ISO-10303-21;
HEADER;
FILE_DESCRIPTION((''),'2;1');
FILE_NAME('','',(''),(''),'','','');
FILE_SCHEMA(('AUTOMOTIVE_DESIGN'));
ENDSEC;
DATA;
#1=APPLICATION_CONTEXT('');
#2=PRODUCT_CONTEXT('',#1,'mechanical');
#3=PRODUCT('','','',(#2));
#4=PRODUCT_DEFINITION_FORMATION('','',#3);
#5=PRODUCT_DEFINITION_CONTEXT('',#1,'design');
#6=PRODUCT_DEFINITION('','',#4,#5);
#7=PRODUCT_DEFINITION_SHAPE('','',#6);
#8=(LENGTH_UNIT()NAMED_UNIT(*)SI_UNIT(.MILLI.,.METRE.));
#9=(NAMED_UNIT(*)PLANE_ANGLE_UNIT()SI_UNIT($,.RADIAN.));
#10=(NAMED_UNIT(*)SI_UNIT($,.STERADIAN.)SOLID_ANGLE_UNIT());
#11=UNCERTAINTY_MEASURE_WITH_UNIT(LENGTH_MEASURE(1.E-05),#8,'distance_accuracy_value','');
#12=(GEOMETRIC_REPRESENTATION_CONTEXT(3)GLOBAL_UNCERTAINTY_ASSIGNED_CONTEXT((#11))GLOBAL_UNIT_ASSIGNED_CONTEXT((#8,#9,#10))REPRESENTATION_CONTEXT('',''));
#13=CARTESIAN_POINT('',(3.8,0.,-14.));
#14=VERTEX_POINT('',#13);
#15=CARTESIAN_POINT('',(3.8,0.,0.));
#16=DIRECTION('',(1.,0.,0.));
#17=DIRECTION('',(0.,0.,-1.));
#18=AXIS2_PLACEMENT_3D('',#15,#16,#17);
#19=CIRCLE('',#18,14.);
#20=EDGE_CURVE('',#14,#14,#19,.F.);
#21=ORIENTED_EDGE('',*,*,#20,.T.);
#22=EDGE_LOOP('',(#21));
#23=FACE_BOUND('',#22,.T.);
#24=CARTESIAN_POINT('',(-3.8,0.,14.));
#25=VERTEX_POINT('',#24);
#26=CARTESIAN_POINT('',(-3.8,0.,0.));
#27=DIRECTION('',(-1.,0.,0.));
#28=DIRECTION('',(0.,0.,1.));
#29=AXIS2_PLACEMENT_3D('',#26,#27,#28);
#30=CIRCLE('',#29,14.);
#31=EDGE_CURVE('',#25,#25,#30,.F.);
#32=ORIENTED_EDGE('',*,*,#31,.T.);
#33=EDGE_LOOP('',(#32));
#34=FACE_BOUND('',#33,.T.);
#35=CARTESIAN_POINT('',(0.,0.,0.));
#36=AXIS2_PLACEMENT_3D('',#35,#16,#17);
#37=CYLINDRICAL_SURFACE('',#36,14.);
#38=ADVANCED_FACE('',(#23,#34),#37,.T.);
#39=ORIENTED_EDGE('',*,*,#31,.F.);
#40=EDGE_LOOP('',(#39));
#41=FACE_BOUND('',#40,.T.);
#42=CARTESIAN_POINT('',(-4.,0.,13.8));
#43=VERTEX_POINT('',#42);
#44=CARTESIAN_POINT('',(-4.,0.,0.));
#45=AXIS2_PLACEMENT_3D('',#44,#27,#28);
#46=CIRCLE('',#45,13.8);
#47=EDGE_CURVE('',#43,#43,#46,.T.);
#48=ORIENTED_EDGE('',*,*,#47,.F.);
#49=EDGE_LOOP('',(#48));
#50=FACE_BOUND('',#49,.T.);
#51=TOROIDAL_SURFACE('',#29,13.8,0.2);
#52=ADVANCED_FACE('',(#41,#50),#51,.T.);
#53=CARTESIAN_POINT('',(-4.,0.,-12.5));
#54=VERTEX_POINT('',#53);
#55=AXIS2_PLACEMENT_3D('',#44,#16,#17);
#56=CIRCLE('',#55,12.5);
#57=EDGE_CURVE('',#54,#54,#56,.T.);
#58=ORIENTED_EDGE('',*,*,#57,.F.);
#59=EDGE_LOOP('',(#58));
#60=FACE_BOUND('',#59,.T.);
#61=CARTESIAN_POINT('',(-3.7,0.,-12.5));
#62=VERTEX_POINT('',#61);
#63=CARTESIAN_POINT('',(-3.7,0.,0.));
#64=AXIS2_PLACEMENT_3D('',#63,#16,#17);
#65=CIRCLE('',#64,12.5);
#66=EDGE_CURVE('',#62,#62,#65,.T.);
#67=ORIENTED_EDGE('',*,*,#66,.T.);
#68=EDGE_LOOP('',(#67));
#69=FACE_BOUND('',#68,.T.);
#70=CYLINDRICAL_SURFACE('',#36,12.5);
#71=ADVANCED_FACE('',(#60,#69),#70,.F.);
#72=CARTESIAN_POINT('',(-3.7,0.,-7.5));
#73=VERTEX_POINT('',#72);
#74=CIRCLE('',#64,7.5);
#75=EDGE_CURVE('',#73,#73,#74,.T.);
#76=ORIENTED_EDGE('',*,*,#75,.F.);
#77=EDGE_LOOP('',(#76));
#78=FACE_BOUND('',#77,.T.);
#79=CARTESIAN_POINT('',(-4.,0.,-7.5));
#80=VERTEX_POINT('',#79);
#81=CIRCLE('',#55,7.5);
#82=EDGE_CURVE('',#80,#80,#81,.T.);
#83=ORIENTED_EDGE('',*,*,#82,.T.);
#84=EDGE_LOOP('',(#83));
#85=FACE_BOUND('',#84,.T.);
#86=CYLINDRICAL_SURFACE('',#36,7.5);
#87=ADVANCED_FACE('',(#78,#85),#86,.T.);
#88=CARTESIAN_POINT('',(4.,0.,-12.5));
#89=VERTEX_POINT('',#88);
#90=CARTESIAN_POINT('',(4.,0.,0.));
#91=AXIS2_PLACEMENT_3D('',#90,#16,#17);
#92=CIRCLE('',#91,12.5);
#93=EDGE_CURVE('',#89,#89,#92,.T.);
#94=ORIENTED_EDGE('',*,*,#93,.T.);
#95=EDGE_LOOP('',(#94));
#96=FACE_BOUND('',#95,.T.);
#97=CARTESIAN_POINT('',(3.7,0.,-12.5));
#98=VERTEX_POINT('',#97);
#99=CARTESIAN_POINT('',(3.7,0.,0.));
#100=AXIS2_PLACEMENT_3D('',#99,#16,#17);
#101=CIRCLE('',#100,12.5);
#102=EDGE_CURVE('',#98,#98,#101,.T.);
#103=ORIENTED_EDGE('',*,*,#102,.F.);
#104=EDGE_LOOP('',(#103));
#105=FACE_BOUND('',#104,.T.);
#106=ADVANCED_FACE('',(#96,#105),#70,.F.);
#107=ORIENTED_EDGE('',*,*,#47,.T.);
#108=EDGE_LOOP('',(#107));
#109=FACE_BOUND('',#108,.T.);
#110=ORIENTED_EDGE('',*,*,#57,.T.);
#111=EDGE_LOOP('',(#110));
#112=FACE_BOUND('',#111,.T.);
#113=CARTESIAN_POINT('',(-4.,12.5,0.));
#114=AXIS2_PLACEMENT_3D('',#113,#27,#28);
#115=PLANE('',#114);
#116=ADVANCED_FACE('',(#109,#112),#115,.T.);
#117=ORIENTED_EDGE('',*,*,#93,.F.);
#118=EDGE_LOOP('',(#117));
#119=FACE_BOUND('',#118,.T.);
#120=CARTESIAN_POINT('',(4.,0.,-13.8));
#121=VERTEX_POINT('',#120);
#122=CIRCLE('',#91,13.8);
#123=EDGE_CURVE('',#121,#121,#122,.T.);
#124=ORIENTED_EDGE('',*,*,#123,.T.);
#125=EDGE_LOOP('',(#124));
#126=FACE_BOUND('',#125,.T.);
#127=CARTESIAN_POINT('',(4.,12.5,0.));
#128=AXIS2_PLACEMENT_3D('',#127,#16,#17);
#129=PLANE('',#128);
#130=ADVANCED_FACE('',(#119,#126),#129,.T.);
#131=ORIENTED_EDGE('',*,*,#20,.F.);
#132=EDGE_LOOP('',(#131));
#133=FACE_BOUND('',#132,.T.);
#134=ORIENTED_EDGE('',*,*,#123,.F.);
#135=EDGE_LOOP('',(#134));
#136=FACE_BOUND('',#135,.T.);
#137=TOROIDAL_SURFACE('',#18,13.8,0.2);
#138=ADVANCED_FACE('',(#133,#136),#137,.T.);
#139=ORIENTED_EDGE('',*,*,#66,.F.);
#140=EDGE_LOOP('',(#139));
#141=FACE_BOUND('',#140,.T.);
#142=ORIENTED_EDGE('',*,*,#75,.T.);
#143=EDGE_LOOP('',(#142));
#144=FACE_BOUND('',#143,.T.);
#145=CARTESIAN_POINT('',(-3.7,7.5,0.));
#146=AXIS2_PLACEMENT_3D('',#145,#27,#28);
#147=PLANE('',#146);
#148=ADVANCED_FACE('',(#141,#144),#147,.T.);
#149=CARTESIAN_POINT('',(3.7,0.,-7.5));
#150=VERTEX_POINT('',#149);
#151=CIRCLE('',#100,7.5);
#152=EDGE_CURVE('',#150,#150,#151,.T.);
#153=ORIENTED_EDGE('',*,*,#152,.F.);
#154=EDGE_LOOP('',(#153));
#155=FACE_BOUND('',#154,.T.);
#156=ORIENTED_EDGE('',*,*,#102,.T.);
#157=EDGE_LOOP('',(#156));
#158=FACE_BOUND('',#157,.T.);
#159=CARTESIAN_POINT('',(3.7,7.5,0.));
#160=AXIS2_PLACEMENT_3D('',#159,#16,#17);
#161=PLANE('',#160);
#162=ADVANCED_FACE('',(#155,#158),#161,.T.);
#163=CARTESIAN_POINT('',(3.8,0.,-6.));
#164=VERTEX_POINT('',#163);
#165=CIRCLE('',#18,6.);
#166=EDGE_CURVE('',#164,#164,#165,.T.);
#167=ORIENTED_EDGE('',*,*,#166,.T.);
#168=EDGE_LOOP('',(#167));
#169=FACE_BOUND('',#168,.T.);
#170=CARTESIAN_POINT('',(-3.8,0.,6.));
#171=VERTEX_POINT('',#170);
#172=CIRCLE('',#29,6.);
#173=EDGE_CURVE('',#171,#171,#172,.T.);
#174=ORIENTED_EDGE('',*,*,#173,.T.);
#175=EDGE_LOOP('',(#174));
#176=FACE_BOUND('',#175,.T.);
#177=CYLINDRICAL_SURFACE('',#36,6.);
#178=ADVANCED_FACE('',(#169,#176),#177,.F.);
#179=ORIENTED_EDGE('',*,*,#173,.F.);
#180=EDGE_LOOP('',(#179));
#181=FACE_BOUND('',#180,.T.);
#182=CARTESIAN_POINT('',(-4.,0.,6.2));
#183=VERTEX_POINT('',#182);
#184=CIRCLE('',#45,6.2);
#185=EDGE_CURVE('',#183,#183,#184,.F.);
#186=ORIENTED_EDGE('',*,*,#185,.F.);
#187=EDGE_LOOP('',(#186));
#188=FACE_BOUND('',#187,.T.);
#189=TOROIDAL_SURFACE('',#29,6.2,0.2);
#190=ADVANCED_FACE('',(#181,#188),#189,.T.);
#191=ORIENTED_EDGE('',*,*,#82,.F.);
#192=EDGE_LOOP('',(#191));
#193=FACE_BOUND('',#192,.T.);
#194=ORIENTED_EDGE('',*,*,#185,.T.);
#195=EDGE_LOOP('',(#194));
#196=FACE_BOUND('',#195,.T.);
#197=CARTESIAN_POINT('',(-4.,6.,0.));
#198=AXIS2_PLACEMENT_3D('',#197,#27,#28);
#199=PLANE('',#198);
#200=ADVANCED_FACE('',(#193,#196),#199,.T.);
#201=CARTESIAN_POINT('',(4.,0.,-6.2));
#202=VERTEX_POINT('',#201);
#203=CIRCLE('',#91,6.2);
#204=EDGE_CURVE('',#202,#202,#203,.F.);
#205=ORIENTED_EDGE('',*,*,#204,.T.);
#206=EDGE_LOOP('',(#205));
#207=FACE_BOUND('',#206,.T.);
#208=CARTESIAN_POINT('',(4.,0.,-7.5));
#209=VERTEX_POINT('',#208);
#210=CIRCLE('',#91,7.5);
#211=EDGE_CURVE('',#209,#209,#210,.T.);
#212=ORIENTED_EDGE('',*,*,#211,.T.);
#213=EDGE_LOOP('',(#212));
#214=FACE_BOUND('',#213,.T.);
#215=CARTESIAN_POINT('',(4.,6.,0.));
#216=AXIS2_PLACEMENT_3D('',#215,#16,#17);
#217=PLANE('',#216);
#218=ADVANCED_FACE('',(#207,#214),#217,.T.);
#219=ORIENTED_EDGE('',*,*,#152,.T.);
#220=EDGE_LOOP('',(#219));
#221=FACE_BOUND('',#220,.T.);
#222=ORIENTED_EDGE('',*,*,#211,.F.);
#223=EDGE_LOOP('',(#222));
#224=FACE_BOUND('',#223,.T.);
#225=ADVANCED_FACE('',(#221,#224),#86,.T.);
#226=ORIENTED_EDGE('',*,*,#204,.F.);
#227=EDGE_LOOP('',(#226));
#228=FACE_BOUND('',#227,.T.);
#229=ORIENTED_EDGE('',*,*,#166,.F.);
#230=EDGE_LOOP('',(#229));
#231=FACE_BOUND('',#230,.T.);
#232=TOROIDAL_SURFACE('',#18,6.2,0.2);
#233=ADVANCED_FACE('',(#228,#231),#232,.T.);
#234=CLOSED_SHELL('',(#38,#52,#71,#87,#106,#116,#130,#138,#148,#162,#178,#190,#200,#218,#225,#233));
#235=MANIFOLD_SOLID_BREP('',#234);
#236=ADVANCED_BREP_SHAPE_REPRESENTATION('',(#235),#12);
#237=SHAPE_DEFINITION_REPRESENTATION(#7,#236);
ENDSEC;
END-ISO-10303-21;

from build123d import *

# Parameters (mm, degrees)
FILLET1_R = 0.2


with BuildPart() as part:
    # Sketch1 → Revolve1 (revolve)
    with BuildSketch(Plane.XY, mode=Mode.PRIVATE) as revolve1_sk:
        Polygon((4, 6), (-4, 6), (-4, 7.5), (-3.7, 7.5), (-3.7, 12.5), (-4, 12.5), (-4, 14), (4, 14), (4, 12.5), (3.7, 12.5), (3.7, 7.5), (4, 7.5), align=None)
    revolve(revolve1_sk.sketch.rotate(Axis((0, 0, 0), (-1, 0, 0)), 90), axis=Axis((0, 0, 0), (-1, 0, 0)))

    # Fillet1
    fillet1_edges = [part.edges().sort_by_distance(p)[0] for p in [
        (4, 0, 14),
        (-4, 0, 14),
        (-4, 0, 6),
        (4, 0, 6),
    ]]
    fillet(fillet1_edges, radius=FILLET1_R)


solid = part.part
